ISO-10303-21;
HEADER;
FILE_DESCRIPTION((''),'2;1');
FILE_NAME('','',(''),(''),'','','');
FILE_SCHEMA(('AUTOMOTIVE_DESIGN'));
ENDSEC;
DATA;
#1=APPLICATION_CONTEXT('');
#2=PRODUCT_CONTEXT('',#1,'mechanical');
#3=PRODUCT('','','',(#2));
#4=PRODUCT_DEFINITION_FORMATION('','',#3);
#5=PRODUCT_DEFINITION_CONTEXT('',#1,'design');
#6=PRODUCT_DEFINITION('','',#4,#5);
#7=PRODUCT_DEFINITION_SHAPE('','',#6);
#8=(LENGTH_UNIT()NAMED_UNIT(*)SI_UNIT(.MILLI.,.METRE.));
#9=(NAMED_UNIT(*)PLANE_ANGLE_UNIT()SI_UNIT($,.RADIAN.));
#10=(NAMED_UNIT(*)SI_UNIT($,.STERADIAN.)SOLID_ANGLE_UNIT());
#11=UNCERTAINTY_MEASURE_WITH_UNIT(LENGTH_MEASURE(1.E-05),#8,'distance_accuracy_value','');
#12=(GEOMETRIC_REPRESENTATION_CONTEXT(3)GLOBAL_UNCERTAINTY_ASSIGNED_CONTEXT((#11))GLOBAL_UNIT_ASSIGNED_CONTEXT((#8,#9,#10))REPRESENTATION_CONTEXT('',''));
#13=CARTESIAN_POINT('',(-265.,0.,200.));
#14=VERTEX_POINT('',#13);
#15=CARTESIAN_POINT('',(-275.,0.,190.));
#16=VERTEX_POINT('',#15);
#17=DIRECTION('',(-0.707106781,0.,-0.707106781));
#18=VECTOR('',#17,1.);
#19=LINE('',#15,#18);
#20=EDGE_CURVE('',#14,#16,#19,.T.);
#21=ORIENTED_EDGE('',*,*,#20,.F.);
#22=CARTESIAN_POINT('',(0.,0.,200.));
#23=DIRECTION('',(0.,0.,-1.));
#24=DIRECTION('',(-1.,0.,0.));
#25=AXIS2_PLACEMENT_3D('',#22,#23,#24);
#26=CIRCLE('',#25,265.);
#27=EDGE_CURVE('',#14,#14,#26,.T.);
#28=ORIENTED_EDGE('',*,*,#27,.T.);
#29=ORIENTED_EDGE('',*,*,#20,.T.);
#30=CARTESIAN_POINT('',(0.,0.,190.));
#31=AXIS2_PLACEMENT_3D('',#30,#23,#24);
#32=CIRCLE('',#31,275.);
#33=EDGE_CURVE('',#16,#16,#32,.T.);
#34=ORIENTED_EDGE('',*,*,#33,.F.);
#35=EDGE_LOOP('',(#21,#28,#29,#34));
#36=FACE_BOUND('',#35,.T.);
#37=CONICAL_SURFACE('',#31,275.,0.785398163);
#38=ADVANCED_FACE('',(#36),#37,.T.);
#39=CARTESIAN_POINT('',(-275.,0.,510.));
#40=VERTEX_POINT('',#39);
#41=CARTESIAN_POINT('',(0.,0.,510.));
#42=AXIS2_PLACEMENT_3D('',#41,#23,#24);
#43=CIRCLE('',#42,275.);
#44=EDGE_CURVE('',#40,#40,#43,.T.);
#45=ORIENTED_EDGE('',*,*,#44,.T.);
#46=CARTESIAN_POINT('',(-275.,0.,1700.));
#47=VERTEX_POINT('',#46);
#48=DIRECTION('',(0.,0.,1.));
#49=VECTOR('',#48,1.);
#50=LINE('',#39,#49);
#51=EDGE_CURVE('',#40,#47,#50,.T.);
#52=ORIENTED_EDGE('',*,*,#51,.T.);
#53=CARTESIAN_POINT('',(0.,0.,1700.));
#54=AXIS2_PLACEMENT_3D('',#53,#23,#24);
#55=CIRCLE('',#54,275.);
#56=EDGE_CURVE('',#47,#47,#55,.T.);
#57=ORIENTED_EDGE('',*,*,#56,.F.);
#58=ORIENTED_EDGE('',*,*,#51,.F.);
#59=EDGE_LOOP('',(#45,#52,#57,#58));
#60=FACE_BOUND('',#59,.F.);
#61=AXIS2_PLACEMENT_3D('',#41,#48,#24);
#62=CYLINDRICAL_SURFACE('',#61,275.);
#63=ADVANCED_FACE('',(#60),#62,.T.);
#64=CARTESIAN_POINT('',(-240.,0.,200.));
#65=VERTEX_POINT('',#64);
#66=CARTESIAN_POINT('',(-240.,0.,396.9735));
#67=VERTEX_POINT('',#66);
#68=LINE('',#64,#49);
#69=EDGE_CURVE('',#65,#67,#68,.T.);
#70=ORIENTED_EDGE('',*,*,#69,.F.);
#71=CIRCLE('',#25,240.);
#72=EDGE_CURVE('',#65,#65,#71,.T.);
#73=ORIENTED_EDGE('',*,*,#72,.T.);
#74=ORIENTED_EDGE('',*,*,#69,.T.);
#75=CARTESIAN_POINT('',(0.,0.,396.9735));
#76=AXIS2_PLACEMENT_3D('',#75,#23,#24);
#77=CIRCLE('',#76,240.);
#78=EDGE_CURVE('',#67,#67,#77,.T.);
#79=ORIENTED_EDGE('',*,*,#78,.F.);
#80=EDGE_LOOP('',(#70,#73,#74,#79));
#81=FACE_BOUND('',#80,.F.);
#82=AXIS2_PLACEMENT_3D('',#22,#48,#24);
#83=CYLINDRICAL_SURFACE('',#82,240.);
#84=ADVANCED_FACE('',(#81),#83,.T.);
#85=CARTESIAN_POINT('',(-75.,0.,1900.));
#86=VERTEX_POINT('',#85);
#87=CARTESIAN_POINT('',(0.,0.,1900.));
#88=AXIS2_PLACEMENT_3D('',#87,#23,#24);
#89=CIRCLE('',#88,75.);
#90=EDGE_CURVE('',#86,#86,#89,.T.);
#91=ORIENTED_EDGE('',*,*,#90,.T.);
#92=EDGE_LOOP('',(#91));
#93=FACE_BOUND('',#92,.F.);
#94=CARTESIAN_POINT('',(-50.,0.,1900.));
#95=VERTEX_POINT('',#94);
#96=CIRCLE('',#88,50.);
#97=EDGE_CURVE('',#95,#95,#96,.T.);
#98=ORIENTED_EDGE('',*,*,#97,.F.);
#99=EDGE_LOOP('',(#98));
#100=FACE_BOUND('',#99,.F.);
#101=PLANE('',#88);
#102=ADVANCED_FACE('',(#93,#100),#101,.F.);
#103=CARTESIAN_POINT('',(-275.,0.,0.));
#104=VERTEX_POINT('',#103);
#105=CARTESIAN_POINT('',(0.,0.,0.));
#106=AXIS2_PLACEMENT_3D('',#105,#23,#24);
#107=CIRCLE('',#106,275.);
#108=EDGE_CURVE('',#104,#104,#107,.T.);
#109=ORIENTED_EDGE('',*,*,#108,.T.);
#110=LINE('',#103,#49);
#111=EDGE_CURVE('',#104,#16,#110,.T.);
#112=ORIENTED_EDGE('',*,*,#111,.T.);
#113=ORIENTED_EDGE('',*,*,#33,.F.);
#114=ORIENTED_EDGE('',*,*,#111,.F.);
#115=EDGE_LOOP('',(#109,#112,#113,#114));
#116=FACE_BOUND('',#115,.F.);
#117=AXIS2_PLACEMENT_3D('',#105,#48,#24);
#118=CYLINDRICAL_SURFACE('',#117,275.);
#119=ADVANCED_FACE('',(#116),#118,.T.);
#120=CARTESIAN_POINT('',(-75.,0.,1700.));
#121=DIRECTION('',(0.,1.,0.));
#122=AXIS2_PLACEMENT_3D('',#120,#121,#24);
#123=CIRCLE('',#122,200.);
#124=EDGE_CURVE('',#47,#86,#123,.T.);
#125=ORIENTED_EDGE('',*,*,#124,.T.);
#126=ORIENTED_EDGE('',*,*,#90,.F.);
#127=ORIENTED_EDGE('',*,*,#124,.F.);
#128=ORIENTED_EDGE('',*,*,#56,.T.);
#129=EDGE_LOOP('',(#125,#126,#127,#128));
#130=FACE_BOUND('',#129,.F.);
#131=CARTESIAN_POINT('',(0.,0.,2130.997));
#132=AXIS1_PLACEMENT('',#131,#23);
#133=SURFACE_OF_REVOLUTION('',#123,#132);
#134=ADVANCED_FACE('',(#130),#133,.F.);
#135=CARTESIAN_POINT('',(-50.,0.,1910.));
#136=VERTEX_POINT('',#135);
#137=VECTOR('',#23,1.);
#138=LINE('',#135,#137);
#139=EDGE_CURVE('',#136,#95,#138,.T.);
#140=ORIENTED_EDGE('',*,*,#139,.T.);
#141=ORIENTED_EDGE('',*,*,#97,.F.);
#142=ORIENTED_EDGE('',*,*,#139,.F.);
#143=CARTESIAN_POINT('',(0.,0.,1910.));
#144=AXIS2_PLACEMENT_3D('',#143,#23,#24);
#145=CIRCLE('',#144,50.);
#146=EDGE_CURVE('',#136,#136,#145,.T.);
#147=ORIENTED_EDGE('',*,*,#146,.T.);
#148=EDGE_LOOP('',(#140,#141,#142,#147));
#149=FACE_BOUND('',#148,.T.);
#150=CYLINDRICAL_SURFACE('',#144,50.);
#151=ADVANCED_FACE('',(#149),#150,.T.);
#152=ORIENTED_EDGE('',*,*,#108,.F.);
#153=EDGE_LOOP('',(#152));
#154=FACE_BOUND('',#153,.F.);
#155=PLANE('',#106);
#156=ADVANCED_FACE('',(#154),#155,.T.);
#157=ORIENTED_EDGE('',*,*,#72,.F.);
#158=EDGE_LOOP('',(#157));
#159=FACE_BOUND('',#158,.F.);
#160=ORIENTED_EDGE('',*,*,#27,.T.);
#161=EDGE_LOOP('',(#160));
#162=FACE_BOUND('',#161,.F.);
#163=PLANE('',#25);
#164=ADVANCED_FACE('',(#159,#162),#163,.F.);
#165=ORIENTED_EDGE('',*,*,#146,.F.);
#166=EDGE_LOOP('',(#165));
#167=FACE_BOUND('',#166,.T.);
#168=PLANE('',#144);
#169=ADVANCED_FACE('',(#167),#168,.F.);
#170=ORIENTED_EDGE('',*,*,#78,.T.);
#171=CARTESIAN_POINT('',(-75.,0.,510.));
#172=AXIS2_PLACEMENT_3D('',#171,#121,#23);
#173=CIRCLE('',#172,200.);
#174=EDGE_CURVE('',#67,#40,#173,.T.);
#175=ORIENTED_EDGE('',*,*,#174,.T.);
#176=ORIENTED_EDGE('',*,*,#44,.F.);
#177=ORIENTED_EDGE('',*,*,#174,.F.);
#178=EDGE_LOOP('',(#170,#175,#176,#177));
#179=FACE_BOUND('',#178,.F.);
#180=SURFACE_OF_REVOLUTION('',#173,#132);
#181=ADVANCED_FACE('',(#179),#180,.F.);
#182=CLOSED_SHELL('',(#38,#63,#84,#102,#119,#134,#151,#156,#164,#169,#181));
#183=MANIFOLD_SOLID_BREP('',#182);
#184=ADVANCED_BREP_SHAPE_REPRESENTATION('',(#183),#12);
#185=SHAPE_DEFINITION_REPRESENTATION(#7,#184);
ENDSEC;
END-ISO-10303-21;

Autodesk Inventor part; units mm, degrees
ref_plane "YZ Plane" through (0, 0, 0) normal (1, 0, 0) x (0, 1, 0)
ref_plane "XZ Plane" through (0, 0, 0) normal (0, 1, 0) x (-1, 0, 0)
ref_plane "XY Plane" through (0, 0, 0) normal (0, 0, 1) x (1, 0, 0)
sketch "Sketch2" plane through (0, 0, 0) normal (0, 1, 0) x (-1, 0, 0)
  line L0 (0, 2130.997) -> (0, 0)
  line L1 (275, 1900) -> (75, 1900) construction
  line L2 (0, 1900) -> (0, 0)
  line L3 (0, 0) -> (275, 0)
  line L4 (275, 0) -> (275, 200)
  line L5 (275, 310) -> (75, 310) construction
  arc A0 (75, 310) -> (275, 510) centre (75, 510) ccw
  arc A1 (275, 1700) -> (75, 1900) centre (75, 1700) ccw
  line L6 (75, 1900) -> (0, 1900)
  line L7 (275, 1700) -> (275, 1900) construction
  line L8 (75, 310) -> (0, 310)
  line L9 (275, 310) -> (275, 510) construction
  line L10 (275, 510) -> (275, 1700)
  line L11 (275, 200) -> (240, 200)
  line L12 (240, 200) -> (240, 396.9735)
  line L13 (275, 200) -> (275, 310) construction
  line L14 (0, 1910) -> (50, 1910)
  line L15 (50, 1910) -> (50, 1900)
  point P0 (0, 1900)
  dimension "d3" = 550
  dimension "d7" = 200
  dimension "d8" = 200
  dimension "d9" = 35
  dimension "d10" = 200
  dimension "d12" = 50
  dimension "d13" = 10
  dimension "d14" = 1910
  dimension "d15" = 1600
revolve "Revolution1" add sketch "Sketch2" angle 360 about axis through (0, 0, 2130.997) along (0, 0, -1)
chamfer "Chamfer1" distance 10 angle 45 1 edges at (275, 0, 200)
equation "\"d3\" = D"
equation "\"d8\" = d7"
equation "\"d14\" = H1"
equation "\"d15\" = H2"
equation "\"H1\" = 1910"
equation "\"H2\" = 1600"
equation "\"D\" = 550"
properties part number "HY-H H2162–4T"
